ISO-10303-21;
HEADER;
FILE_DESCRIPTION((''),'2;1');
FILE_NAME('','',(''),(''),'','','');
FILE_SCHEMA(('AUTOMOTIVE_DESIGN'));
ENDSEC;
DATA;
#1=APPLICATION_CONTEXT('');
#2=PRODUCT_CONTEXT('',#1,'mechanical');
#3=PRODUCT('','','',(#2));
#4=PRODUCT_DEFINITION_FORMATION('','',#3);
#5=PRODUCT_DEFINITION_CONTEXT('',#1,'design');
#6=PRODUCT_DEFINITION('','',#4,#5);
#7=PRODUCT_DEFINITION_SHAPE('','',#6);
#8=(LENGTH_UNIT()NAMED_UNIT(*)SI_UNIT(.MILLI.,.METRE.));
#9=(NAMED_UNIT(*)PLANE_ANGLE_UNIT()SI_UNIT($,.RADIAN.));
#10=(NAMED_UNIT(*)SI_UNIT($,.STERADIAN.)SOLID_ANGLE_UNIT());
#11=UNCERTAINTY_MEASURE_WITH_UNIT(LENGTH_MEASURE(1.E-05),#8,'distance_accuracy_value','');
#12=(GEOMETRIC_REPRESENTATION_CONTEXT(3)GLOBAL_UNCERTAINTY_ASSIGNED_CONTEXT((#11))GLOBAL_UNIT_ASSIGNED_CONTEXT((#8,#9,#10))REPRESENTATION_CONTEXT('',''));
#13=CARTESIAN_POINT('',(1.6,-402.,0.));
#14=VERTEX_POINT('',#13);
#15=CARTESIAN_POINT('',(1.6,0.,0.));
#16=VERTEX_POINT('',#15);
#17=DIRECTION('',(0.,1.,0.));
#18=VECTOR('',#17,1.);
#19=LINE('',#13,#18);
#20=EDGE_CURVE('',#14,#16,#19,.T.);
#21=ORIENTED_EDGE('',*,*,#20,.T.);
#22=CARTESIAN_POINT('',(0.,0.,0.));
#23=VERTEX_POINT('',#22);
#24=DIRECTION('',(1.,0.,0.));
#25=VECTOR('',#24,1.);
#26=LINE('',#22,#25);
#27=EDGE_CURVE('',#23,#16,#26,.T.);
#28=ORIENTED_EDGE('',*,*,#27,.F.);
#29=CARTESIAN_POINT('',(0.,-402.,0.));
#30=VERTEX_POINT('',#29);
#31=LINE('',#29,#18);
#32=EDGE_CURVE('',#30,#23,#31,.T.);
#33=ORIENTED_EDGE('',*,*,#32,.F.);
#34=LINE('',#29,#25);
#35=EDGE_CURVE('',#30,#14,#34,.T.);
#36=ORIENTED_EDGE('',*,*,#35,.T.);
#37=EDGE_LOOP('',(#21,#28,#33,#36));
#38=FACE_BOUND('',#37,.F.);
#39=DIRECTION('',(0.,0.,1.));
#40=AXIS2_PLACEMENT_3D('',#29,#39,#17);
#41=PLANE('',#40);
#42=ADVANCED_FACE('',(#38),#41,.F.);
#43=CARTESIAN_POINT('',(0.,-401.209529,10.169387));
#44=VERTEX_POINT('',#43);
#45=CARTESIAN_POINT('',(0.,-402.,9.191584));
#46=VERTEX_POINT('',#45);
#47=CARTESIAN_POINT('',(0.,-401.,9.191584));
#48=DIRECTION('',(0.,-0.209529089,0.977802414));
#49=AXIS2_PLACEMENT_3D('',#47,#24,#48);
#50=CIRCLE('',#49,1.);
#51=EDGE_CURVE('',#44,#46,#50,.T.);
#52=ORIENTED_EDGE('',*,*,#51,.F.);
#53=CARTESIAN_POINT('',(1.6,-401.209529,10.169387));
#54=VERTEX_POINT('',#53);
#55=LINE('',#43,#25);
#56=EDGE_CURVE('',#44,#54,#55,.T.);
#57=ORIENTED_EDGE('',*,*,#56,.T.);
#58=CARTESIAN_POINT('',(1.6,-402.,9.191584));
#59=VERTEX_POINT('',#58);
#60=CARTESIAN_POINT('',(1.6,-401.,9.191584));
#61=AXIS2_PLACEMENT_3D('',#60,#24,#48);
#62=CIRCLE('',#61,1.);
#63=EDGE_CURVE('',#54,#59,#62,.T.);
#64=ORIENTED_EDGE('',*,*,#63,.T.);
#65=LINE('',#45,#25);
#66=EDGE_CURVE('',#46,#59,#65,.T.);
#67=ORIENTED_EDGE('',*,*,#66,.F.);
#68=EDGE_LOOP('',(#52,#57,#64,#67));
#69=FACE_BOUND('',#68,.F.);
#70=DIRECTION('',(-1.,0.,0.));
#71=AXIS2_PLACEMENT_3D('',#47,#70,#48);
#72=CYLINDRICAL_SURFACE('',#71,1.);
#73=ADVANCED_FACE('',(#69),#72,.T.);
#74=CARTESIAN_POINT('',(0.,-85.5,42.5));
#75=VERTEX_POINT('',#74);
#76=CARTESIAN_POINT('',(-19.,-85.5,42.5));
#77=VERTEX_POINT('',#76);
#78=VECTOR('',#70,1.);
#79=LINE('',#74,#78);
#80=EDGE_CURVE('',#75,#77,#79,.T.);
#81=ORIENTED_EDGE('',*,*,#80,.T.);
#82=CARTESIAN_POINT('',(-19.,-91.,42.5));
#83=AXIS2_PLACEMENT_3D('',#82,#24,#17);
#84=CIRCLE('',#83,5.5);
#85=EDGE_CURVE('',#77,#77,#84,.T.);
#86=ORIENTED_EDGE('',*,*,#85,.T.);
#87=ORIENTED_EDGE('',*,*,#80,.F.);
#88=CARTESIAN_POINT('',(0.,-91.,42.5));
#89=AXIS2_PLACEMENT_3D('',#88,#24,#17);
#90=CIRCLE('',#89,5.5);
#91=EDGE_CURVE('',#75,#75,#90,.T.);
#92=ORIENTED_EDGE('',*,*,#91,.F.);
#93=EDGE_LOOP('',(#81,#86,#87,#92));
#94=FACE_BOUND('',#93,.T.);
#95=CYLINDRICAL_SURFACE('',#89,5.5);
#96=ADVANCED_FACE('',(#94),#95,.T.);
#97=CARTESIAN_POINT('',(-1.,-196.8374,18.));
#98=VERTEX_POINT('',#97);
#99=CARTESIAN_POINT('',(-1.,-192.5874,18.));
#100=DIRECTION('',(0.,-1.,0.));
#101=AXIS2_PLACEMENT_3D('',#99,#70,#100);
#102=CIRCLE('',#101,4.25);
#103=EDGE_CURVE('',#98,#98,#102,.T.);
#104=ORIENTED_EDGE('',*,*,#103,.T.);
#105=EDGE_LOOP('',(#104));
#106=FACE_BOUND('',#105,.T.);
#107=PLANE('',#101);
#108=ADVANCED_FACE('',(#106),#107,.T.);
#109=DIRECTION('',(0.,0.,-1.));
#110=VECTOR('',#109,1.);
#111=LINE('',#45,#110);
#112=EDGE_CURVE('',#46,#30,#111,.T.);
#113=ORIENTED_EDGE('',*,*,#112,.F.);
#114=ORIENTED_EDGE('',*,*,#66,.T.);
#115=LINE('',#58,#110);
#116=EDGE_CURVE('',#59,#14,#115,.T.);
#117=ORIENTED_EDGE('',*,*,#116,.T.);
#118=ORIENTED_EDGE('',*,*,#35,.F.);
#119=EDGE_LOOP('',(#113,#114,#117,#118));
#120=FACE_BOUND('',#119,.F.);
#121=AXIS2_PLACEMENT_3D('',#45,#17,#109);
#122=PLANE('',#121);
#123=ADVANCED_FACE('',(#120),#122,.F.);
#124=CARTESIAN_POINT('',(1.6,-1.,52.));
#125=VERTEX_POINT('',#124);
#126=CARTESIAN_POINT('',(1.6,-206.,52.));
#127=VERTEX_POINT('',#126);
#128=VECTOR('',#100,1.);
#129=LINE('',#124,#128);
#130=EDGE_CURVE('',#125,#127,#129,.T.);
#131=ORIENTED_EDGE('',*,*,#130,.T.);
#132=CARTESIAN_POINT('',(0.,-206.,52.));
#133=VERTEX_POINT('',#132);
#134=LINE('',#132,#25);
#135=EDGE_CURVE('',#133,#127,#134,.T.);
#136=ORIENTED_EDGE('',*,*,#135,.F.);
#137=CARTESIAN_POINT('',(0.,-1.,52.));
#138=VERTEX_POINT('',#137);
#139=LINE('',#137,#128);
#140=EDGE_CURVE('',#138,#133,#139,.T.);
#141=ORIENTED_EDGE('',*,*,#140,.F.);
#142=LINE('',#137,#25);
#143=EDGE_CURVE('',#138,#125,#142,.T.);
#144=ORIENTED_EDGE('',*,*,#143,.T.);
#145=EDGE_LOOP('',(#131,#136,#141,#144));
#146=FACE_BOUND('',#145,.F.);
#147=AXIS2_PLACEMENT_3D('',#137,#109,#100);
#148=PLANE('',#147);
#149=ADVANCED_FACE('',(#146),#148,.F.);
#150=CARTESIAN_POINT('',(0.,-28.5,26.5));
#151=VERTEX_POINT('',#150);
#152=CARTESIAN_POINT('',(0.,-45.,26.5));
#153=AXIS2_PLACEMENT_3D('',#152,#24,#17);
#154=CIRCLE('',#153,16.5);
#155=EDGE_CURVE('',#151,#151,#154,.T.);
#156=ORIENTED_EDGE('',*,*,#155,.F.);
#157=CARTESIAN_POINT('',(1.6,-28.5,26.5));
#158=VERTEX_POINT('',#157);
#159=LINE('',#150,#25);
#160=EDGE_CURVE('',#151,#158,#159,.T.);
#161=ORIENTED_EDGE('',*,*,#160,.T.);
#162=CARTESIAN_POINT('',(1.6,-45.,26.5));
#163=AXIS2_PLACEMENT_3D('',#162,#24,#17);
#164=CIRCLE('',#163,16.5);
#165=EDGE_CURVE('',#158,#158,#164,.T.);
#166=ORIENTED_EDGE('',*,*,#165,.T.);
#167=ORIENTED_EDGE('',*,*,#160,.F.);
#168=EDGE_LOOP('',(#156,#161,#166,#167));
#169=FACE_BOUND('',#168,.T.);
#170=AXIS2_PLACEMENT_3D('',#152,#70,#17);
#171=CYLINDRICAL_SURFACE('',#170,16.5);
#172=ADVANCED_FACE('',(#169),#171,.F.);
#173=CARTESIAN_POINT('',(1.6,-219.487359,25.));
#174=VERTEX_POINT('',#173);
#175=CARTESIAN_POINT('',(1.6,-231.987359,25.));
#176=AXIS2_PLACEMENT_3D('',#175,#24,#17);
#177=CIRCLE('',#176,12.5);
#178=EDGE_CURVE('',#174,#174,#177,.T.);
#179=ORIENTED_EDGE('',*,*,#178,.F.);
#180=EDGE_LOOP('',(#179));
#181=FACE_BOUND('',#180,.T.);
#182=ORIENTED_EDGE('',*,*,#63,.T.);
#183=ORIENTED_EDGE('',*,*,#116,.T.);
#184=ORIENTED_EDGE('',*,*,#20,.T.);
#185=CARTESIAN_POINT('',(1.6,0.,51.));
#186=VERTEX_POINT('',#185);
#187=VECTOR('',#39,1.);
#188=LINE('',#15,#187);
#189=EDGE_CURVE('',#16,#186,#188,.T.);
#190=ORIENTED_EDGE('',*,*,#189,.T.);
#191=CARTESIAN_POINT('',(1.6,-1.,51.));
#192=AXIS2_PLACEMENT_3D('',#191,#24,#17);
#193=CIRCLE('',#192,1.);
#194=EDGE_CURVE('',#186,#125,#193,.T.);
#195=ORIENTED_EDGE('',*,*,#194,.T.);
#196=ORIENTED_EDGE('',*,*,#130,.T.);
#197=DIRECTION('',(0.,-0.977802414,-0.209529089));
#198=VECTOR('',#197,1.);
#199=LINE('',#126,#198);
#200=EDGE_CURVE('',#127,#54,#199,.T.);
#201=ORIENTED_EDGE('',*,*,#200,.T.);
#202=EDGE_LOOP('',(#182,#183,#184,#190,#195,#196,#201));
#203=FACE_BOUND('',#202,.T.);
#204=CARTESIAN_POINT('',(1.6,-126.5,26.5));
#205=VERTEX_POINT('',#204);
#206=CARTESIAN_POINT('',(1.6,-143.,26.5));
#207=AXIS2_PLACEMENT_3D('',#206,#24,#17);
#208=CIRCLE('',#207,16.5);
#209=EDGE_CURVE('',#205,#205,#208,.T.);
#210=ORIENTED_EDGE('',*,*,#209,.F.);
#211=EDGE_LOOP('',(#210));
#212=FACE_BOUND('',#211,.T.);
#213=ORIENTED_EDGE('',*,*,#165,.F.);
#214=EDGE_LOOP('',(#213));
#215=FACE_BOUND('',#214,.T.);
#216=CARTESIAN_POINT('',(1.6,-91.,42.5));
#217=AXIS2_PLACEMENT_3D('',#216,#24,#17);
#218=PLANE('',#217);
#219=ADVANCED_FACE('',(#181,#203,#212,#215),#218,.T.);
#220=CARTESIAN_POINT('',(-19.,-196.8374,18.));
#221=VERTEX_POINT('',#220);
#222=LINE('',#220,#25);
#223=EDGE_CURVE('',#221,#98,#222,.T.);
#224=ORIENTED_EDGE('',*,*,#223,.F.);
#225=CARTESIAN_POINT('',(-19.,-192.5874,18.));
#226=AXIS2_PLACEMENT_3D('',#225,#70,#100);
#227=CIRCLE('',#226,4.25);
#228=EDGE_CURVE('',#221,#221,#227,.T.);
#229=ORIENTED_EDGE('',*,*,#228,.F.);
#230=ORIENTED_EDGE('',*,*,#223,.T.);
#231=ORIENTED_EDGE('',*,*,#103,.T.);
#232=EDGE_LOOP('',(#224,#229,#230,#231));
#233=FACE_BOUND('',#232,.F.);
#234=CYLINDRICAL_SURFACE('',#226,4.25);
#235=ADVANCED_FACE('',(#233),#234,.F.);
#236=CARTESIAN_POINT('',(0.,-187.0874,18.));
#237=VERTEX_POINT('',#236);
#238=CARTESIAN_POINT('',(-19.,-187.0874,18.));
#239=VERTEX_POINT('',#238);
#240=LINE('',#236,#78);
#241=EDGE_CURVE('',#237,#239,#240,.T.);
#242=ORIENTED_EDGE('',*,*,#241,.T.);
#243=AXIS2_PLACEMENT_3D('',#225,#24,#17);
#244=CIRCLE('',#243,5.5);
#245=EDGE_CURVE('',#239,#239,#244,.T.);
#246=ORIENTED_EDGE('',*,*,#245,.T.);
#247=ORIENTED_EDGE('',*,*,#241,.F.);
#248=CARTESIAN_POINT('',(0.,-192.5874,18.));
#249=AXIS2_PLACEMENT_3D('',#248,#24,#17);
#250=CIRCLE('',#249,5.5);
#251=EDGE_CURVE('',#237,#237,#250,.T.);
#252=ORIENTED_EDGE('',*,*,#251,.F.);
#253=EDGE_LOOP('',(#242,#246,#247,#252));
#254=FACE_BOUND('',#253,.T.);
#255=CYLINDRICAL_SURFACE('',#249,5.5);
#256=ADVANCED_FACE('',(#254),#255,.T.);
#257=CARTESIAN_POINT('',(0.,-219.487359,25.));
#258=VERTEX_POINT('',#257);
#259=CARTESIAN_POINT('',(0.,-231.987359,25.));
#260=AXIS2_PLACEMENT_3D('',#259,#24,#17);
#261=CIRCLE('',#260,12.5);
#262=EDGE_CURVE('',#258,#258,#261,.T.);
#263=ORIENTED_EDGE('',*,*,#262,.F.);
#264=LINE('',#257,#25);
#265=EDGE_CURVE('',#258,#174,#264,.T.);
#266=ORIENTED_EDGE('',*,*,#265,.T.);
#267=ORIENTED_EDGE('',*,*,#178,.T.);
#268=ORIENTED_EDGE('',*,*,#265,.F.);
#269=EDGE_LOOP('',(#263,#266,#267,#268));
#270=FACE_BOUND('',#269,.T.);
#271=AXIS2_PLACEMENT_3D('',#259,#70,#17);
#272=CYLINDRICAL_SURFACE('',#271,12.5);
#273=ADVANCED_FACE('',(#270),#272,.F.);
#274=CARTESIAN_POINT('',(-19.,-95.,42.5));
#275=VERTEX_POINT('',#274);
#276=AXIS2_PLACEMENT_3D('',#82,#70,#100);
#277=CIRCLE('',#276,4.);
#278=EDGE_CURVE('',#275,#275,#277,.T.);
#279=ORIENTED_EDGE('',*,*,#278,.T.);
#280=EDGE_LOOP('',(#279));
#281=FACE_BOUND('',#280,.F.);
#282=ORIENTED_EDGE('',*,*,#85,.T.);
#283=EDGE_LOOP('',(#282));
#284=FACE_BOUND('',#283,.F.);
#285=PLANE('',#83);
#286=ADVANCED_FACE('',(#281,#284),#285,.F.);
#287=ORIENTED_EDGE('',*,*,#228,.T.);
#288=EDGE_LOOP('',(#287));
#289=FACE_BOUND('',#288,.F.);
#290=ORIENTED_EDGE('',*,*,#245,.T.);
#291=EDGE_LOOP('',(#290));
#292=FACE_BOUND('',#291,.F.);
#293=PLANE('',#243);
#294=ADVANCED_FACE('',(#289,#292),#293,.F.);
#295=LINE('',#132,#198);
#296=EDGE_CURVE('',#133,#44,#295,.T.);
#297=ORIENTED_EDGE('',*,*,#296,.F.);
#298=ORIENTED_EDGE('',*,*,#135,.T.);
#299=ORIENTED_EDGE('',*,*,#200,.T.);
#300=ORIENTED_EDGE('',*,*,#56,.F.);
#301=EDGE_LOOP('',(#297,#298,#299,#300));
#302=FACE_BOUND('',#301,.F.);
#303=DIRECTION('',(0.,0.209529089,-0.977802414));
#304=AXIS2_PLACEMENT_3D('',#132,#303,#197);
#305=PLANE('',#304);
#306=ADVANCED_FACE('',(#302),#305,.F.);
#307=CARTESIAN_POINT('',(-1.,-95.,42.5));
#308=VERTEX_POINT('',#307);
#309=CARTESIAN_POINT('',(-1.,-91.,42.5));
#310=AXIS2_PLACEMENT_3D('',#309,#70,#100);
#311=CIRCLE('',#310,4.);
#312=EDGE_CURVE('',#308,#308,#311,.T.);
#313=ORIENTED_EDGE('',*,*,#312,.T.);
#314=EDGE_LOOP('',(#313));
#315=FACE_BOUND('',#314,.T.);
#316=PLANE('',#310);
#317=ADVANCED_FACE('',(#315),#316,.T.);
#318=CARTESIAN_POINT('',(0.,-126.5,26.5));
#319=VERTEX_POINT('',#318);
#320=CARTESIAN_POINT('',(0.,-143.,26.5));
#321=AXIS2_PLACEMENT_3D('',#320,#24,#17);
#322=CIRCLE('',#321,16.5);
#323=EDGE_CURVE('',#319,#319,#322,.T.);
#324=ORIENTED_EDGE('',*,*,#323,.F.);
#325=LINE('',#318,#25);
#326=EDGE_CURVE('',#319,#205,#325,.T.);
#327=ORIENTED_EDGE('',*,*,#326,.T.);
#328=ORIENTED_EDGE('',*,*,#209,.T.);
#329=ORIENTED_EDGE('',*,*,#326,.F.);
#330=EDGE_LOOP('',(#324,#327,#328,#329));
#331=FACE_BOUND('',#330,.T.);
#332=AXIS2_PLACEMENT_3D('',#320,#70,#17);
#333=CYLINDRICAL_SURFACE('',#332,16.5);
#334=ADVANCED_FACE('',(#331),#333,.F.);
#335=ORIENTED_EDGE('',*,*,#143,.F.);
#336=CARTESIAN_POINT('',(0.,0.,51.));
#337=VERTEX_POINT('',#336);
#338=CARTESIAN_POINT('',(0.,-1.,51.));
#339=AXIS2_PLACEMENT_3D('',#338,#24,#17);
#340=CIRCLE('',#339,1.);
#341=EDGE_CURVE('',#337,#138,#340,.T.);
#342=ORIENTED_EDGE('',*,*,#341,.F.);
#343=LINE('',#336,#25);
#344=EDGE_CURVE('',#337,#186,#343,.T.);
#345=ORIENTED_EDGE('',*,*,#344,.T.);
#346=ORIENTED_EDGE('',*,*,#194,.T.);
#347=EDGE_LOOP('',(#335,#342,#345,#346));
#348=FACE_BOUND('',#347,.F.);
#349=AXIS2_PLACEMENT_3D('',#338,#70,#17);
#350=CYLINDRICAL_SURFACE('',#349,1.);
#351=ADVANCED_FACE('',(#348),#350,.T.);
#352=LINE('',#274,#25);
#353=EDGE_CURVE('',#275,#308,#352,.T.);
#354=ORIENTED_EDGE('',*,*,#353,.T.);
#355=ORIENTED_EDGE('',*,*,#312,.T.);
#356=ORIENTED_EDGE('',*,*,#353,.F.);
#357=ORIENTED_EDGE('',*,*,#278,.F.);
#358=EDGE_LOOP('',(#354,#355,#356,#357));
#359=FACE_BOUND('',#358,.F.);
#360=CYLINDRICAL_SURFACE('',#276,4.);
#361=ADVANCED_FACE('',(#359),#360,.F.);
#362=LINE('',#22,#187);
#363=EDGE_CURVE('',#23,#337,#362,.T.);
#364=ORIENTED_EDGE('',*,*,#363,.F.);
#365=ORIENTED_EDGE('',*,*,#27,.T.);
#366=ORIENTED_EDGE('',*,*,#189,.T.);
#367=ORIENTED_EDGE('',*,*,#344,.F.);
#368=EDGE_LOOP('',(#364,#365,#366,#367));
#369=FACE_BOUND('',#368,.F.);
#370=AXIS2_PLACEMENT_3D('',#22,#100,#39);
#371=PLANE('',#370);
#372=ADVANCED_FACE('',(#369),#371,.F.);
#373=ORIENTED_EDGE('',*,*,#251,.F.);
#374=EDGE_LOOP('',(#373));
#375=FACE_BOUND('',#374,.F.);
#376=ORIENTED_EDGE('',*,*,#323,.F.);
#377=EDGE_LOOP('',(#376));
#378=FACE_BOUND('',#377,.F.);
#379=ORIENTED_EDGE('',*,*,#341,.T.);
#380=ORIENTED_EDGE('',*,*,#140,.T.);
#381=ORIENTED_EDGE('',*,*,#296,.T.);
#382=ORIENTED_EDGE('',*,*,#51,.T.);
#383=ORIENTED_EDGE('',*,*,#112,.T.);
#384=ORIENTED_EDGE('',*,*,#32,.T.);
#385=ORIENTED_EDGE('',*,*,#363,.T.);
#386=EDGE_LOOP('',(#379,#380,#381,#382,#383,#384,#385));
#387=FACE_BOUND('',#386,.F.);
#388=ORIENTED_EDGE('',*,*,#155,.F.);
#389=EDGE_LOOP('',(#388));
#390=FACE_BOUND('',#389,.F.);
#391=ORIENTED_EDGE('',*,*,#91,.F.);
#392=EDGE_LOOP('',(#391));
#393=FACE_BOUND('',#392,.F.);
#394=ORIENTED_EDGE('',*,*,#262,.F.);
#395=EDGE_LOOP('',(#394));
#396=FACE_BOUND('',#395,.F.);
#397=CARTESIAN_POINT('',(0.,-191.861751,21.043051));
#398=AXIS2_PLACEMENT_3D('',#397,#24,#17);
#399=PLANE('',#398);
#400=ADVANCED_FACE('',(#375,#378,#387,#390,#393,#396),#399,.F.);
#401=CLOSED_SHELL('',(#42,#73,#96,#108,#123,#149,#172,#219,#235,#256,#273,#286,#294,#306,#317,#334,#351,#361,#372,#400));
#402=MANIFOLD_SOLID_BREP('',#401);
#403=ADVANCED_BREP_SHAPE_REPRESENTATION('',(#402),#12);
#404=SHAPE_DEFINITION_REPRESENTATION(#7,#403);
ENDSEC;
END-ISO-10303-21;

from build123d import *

# Parameters (mm, degrees)
F0_R          = 12.5
F0_R_2        = 5.5
F0_R_3        = 16.5
F1_DEPTH      = 1.6
F0_R_4        = 4.25
F2_DEPTH      = 19
F2_DEPTH_BACK = 1.6
F3_R          = 4
F4_DEPTH      = 18
F5_R          = 4.25
F6_DEPTH      = 18


with BuildPart() as f1:
    # F0 (on Right) → F1 (new body)
    with BuildSketch(Plane.YZ):
        with BuildLine():
            Line((-402, 0), (0, 0))
            Line((0, 0), (0, 51))
            ThreePointArc((0, 51), (-0.2928932188, 51.7071067812), (-1, 52))
            Line((-1, 52), (-206, 52))
            Line((-206, 52), (-401.2095290887, 10.1693866238))
            ThreePointArc((-401.2095290887, 10.1693866238), (-401.777666088, 9.8202617548), (-402, 9.1915842098))
            Line((-402, 9.1915842098), (-402, 0))
        make_face()
        with Locations((-231.9873586528, 25)):
            Circle(F0_R, mode=Mode.SUBTRACT)
        with Locations((-192.5874, 18)):
            Circle(F0_R_2, mode=Mode.SUBTRACT)
        with Locations((-143, 26.5)):
            Circle(F0_R_3, mode=Mode.SUBTRACT)
        with Locations((-45, 26.5)):
            Circle(F0_R_3, mode=Mode.SUBTRACT)
        with Locations((-91, 42.5)):
            Circle(F0_R_2, mode=Mode.SUBTRACT)
    extrude(amount=F1_DEPTH)

    # F0 (on Right) → F2 (join, two sides)
    with BuildSketch(Plane.YZ) as f2_sk:
        with Locations((-91, 42.5)):
            Circle(F0_R_2)
        with Locations((-91, 42.5)):
            Circle(F0_R_4, mode=Mode.SUBTRACT)
        with Locations((-192.5874, 18)):
            Circle(F0_R_2)
        with Locations((-192.5874, 18)):
            Circle(F0_R_4, mode=Mode.SUBTRACT)
        with Locations((-91, 42.5)):
            Circle(F0_R_4)
        with Locations((-192.5874, 18)):
            Circle(F0_R_4)
    extrude(amount=-F2_DEPTH)
    extrude(f2_sk.sketch, amount=F2_DEPTH_BACK)

    # F3 (on face) → F4 (cut)
    with BuildSketch(Plane(origin=(-19, 0, 0), x_dir=(0, -1, 0), z_dir=(-1, 0, 0))):
        with Locations((91, 42.5)):
            Circle(F3_R)
    extrude(amount=-F4_DEPTH, mode=Mode.SUBTRACT)

    # F5 (on face) → F6 (cut)
    with BuildSketch(Plane(origin=(-19, 0, 0), x_dir=(0, -1, 0), z_dir=(-1, 0, 0))):
        with Locations((192.5874, 18)):
            Circle(F5_R)
    extrude(amount=-F6_DEPTH, mode=Mode.SUBTRACT)


solid = f1.part
